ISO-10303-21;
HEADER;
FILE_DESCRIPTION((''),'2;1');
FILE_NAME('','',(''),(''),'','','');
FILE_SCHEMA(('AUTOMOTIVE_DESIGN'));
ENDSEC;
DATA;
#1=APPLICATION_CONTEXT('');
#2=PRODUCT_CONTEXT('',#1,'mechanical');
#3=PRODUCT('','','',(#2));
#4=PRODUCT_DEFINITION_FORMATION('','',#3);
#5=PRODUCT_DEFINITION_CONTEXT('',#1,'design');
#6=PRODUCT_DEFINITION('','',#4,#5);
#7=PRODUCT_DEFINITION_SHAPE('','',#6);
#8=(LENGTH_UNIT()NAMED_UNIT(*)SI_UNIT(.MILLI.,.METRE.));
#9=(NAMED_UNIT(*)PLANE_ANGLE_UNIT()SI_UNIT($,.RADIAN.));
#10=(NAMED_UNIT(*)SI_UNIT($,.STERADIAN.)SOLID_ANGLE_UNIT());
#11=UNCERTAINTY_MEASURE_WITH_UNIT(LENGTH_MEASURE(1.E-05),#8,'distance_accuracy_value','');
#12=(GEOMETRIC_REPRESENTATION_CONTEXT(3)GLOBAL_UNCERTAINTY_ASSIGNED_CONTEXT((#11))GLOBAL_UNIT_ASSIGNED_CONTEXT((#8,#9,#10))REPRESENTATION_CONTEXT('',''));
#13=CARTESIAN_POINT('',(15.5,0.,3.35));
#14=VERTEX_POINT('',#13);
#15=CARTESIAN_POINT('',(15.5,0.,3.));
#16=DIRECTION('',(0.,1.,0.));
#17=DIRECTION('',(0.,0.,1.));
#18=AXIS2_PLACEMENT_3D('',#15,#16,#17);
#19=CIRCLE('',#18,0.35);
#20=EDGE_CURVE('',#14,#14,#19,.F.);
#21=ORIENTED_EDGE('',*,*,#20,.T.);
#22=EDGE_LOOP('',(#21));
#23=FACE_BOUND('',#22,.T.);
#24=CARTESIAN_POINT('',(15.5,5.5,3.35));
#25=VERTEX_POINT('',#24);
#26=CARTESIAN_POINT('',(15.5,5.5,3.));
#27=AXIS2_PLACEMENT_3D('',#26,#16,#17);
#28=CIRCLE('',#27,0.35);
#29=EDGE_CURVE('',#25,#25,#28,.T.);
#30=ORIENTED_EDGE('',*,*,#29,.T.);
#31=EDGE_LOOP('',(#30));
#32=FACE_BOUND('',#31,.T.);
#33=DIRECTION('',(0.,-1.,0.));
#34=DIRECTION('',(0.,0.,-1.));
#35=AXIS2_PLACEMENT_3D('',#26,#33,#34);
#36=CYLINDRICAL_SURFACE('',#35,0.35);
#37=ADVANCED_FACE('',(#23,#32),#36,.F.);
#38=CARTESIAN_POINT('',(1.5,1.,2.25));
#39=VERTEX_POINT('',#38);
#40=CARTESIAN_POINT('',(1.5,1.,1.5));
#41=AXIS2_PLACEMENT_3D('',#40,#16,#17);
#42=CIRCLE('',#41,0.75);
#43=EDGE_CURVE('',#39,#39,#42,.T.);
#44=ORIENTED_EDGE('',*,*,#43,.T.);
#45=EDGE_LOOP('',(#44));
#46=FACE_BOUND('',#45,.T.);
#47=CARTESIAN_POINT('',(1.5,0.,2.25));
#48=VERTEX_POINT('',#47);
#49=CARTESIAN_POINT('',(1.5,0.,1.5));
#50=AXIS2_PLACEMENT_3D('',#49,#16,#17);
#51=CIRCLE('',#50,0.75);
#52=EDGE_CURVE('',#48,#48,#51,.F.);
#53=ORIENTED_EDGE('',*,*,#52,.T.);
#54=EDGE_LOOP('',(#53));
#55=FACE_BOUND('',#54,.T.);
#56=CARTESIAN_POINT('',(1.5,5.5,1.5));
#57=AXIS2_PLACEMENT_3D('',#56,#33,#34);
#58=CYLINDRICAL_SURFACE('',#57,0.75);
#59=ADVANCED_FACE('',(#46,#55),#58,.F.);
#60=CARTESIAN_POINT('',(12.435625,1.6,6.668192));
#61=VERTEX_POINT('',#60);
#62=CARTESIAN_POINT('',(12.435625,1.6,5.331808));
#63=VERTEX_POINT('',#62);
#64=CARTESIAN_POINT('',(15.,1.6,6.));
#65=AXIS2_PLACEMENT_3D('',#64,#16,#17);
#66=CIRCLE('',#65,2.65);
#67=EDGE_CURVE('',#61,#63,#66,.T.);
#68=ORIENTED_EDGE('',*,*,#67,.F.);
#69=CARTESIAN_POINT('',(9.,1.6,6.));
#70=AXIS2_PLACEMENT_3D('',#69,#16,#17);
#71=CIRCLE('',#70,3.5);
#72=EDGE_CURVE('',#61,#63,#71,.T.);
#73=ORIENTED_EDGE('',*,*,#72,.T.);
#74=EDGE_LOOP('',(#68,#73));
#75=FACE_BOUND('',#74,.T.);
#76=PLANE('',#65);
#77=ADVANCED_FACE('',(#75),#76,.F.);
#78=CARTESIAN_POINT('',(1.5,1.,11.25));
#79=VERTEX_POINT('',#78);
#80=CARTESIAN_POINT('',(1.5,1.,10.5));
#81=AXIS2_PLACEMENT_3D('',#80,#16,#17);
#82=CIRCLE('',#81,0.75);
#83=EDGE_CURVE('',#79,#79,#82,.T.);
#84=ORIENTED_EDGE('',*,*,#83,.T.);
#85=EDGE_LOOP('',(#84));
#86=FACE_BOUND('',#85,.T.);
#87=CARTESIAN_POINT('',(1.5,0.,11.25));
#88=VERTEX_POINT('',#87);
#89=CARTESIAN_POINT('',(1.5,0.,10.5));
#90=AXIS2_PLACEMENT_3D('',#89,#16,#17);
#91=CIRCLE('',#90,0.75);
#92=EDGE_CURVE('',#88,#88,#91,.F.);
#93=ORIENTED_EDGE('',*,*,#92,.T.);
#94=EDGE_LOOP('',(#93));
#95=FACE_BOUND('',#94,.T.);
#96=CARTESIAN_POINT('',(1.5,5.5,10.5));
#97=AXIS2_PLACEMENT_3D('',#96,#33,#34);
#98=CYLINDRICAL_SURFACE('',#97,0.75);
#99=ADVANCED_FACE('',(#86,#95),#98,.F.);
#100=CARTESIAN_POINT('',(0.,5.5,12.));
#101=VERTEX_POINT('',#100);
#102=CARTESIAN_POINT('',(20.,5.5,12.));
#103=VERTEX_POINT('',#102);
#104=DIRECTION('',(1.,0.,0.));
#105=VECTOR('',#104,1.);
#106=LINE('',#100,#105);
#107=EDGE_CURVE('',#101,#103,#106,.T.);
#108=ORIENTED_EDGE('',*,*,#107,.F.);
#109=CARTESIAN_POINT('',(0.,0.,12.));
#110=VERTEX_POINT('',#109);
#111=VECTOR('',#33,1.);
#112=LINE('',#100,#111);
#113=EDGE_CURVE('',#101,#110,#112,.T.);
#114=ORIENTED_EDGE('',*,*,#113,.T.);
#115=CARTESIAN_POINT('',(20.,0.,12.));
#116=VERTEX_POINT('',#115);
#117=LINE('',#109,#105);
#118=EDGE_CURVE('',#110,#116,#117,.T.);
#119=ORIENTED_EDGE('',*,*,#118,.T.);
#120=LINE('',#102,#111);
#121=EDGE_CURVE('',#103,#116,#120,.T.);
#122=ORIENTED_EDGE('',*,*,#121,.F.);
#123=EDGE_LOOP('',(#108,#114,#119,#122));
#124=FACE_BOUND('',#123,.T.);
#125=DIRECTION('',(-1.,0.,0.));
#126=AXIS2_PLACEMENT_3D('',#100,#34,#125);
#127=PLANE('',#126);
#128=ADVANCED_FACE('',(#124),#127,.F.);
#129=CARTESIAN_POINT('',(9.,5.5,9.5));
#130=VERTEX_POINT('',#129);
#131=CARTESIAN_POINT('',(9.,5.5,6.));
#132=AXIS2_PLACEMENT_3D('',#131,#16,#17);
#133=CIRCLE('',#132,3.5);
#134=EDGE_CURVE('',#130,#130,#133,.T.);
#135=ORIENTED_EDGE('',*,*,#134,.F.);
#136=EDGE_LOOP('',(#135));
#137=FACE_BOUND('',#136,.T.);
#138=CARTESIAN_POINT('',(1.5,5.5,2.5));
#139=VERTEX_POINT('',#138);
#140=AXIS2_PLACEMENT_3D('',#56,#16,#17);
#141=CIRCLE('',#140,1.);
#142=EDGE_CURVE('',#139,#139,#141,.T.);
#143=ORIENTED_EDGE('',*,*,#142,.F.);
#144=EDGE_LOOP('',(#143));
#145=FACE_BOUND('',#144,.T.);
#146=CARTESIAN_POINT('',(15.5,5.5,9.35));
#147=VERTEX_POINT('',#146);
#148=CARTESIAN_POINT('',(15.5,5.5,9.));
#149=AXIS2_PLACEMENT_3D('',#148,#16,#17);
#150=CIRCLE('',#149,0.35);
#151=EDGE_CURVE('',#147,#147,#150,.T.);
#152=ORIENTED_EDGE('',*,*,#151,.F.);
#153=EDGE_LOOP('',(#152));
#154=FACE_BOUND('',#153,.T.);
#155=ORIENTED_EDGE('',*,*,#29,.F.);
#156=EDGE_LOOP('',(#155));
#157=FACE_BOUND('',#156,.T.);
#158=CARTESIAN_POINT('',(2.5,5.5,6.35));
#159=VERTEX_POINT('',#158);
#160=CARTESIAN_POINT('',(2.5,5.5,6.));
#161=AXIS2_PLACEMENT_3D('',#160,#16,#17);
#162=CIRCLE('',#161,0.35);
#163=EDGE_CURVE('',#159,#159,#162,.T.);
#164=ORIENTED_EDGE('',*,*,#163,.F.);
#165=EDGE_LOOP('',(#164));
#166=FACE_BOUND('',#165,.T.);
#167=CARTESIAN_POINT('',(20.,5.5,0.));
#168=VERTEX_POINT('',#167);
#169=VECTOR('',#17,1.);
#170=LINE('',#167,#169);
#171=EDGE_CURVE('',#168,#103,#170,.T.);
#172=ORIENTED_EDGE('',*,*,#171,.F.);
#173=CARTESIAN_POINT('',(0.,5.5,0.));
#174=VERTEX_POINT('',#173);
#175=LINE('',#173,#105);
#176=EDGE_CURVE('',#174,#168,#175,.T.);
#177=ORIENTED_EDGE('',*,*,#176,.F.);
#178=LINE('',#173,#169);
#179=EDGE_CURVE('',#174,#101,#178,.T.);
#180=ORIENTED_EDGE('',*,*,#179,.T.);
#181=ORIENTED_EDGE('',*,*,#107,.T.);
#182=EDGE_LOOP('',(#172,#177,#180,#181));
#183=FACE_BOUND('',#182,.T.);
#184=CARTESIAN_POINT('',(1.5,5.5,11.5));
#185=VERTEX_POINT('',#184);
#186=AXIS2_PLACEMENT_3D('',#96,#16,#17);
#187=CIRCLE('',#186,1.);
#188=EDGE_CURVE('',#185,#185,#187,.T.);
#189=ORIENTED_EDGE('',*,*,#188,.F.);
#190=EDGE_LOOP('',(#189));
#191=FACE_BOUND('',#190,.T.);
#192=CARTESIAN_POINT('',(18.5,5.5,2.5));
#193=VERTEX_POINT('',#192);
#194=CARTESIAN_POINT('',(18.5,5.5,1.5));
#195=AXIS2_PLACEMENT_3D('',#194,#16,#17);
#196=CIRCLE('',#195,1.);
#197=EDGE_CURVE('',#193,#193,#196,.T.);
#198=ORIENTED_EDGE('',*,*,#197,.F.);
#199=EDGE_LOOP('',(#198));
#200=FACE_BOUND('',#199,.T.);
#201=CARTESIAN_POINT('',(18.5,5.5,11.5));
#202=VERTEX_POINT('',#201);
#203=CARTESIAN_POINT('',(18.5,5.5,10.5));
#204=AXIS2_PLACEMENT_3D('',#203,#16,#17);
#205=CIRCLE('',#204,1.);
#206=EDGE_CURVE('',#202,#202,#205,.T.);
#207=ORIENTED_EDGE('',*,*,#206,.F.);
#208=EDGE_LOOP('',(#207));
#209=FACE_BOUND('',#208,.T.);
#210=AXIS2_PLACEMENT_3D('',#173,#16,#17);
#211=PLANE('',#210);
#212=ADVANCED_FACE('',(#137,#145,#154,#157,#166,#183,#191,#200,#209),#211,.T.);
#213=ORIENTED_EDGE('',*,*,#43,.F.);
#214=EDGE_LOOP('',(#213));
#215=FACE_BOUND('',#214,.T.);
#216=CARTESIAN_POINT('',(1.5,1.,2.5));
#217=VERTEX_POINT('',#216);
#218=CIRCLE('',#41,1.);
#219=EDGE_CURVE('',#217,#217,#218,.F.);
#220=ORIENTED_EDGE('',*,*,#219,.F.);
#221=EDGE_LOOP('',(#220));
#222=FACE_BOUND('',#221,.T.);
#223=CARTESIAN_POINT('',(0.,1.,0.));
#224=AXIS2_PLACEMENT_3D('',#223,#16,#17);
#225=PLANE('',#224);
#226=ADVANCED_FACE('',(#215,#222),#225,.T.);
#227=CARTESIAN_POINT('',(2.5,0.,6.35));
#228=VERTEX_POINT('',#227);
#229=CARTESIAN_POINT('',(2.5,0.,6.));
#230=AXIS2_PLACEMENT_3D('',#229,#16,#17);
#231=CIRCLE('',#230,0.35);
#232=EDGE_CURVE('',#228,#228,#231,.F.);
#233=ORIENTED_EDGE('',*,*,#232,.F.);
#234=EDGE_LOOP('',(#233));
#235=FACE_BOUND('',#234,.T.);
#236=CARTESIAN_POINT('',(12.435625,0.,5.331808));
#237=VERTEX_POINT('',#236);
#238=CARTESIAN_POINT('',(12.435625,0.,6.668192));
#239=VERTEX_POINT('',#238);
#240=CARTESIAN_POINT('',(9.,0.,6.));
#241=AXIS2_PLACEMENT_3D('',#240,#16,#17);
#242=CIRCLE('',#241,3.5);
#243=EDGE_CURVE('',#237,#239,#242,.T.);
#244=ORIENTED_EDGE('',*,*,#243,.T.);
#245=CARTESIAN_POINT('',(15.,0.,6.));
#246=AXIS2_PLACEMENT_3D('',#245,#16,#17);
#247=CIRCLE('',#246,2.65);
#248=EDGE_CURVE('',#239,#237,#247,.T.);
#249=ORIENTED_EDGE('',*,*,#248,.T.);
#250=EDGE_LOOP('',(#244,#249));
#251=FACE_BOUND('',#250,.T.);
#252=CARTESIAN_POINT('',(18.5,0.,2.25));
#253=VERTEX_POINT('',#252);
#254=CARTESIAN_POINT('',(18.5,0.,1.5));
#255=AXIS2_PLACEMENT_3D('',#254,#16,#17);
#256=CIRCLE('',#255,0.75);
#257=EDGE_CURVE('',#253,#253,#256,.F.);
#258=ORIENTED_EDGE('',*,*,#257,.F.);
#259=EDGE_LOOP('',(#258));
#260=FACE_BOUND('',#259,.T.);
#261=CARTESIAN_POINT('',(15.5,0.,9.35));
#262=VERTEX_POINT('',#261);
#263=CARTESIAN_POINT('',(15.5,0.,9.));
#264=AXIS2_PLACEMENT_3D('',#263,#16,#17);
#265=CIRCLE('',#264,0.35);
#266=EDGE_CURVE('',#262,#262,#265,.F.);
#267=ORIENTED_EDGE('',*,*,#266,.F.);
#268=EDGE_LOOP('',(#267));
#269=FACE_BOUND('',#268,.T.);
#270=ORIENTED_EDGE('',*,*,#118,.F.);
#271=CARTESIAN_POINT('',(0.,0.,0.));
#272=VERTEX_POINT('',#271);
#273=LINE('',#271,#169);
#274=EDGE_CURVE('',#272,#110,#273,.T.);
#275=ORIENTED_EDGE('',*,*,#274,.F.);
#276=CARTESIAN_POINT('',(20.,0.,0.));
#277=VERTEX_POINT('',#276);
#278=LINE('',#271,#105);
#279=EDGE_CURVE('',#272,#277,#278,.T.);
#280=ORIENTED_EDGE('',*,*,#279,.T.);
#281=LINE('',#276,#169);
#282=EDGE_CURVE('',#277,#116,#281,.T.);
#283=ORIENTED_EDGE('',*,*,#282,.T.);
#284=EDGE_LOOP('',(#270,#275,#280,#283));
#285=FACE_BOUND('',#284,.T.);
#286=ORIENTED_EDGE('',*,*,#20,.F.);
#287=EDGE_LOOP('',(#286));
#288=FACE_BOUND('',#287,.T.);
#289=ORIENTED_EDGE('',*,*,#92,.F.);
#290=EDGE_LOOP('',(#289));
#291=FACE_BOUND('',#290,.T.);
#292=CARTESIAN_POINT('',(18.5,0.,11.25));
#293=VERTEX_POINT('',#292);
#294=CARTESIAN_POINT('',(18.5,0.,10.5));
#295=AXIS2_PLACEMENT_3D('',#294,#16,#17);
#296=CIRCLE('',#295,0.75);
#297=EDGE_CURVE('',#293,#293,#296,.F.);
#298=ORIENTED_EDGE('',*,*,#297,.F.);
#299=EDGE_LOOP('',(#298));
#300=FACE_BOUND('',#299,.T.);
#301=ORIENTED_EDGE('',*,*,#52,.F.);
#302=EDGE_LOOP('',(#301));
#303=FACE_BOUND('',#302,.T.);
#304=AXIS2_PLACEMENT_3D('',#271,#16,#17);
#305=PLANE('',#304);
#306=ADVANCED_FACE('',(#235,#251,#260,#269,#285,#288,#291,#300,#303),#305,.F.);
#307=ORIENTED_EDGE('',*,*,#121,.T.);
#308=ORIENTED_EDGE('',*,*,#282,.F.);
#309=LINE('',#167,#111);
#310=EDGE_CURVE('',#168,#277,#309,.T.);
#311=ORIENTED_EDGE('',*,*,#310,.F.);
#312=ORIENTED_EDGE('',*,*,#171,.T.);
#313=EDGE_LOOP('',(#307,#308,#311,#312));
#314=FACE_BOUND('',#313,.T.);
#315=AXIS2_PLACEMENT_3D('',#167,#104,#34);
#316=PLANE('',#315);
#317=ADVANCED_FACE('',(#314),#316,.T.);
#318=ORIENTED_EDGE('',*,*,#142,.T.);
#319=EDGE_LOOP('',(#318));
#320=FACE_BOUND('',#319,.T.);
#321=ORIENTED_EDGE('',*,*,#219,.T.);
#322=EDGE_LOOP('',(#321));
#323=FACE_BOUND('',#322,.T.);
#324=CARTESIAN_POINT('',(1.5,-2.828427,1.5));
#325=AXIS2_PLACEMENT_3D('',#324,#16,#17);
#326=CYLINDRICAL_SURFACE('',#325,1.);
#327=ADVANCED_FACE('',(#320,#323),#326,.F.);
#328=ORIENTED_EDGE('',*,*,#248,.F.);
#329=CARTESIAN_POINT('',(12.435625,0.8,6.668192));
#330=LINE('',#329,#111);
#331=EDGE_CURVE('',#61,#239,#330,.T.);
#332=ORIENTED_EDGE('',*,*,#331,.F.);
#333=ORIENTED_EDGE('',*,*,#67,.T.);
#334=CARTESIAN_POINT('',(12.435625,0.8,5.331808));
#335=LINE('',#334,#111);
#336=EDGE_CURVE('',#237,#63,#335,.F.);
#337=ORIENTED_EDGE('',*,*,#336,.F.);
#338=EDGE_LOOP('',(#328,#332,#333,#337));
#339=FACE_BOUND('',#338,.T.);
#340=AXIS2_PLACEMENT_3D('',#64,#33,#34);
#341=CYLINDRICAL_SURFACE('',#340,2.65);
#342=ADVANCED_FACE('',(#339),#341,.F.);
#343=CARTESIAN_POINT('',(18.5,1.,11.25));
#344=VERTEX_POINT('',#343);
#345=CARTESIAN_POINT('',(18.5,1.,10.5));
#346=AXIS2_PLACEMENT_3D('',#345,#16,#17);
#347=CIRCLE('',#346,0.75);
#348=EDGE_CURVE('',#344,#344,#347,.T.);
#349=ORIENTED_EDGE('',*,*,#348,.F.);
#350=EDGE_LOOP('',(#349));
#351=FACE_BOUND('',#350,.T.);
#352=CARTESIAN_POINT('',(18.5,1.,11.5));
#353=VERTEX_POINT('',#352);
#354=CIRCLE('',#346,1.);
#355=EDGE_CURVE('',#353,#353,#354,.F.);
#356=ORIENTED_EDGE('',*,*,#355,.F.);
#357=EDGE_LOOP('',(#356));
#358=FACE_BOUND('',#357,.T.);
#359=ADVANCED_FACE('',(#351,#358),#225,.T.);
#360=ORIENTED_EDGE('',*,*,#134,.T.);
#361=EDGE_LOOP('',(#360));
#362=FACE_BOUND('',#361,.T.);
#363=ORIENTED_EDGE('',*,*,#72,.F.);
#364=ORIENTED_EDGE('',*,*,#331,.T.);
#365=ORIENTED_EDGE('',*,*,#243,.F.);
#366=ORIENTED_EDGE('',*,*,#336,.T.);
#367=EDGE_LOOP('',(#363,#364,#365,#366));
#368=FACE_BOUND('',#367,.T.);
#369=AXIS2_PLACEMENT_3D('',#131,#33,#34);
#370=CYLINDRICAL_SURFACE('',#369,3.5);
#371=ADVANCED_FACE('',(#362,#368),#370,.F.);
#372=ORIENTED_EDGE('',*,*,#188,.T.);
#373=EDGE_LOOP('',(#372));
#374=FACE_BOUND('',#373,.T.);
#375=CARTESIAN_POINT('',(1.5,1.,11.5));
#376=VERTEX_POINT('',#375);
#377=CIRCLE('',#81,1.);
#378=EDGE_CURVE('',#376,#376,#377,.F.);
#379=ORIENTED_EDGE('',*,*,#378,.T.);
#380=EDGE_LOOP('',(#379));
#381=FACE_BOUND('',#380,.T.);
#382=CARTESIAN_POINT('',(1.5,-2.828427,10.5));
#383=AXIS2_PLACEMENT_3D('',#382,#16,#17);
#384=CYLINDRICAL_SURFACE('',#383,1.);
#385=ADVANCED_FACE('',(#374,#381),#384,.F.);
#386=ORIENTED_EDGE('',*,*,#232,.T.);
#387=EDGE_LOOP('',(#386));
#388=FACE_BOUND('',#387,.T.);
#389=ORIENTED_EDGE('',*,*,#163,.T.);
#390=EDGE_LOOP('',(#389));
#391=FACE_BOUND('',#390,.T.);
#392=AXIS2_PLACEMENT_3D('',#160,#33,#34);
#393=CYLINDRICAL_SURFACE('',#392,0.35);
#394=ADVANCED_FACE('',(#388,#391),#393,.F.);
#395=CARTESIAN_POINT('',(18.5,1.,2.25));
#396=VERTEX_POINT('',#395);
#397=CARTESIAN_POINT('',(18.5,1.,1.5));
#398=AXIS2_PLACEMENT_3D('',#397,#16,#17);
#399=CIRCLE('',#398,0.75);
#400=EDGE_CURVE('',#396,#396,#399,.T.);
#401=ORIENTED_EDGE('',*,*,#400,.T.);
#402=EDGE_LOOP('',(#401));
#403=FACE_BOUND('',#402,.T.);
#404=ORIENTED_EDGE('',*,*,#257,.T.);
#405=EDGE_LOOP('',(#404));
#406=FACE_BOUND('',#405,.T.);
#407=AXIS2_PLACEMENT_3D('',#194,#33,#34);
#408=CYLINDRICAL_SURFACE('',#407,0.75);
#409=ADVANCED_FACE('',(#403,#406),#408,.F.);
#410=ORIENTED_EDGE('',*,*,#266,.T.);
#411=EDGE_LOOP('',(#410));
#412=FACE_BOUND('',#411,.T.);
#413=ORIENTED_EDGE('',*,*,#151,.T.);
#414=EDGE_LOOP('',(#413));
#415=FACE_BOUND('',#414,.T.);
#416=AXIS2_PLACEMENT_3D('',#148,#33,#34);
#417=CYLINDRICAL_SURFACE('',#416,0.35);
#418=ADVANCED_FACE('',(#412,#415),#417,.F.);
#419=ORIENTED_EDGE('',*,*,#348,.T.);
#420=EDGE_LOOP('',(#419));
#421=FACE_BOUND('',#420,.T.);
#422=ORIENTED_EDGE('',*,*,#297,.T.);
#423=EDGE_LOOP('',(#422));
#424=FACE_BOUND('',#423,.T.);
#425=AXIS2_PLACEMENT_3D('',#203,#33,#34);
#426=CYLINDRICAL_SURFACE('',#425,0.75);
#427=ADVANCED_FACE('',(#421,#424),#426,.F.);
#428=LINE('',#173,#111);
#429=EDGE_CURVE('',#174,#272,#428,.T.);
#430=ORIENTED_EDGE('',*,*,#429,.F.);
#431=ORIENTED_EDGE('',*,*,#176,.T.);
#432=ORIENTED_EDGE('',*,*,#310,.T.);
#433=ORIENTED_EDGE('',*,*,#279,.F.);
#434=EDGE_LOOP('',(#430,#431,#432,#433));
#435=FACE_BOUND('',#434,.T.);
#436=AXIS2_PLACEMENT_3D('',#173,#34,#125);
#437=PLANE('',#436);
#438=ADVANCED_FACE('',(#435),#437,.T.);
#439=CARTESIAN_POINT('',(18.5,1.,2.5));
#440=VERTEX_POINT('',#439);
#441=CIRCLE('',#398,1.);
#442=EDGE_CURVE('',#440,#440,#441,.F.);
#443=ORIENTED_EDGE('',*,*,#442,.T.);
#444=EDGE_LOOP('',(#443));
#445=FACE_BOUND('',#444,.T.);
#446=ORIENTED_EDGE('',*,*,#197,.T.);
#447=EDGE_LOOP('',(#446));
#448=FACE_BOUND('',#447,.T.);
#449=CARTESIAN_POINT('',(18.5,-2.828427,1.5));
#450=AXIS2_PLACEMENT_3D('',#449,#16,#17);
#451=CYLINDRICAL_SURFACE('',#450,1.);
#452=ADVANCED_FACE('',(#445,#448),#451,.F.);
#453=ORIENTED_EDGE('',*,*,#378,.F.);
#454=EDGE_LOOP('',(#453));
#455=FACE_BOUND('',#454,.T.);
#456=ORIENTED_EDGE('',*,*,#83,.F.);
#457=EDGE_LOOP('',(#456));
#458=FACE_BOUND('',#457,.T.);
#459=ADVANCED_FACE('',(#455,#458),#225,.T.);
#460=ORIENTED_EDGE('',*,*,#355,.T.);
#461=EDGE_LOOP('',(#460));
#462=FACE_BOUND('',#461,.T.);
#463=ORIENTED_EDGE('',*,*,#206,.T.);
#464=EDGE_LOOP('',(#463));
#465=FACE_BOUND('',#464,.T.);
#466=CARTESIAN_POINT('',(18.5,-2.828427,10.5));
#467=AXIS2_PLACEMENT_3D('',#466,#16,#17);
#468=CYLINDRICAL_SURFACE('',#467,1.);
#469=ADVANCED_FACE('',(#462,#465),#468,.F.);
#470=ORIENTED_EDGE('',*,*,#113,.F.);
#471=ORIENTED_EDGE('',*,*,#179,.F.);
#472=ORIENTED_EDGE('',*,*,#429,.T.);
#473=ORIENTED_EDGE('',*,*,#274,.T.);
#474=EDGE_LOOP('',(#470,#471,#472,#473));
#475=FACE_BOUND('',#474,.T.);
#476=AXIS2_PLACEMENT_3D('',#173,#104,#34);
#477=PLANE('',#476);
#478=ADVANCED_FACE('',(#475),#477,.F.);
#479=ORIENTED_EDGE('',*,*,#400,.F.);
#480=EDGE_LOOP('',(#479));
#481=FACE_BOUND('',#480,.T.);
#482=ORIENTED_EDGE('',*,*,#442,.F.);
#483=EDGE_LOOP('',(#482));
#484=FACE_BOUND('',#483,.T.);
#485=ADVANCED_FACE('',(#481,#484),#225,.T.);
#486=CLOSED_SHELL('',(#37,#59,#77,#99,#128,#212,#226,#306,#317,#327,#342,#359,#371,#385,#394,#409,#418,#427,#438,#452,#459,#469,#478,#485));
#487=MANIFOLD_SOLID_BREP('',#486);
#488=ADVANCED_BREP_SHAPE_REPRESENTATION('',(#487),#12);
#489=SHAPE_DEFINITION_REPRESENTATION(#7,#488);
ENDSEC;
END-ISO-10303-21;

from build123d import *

# Parameters (mm, degrees)
SKETCH_1_W               = 20
SKETCH_1_H               = 12
SKETCH_1_R               = 3.5
EXTRUDE_1_DEPTH          = 5.5
SKETCH_1_17_R            = 2.65
CUT_EXTRUDE_8_DEPTH      = 1.6
CUT_EXTRUDE_3_DEPTH      = 24.963513933
CUT_EXTRUDE_3_DEPTH_BACK = 24.963513933
SKETCH_3_R               = 0.75
SKETCH_3_R_2             = 0.35
CUT_EXTRUDE_START        = 5.5
SKETCH_3_5_R             = 1
CUT_EXTRUDE_4_DEPTH      = 4.5


with BuildPart() as part:
    # 草图1 → 凸台-拉伸1 (new body)
    with BuildSketch(Plane(origin=(0, 0, 0), x_dir=(1, 0, 0), z_dir=(0, 1, 0))):
        with Locations((10, -6)):
            Rectangle(SKETCH_1_W, SKETCH_1_H)
        with Locations(Location((9, -6, 0), (0, 0, 270))):
            Circle(SKETCH_1_R, mode=Mode.SUBTRACT)
    extrude(amount=EXTRUDE_1_DEPTH)

    # 草图1<17> → 切除-拉伸8 (cut)
    with BuildSketch(Plane(origin=(0, 0, 0), x_dir=(1, 0, 0), z_dir=(0, 1, 0))):
        with Locations((15, -6)):
            Circle(SKETCH_1_17_R)
    extrude(amount=CUT_EXTRUDE_8_DEPTH, mode=Mode.SUBTRACT)

    # 草图3 → 切除-拉伸3 (cut, two sides: drawn at the far end of the back side and taken through both)
    with BuildSketch(Plane(origin=(0, 0, 0), x_dir=(1, 0, 0), z_dir=(0, 1, 0)).offset(-CUT_EXTRUDE_3_DEPTH_BACK)):
        with Locations(Location((1.5, -1.5, 0), (0, 0, 270))):
            Circle(SKETCH_3_R)
        with Locations(Location((18.5, -1.5, 0), (0, 0, 270))):
            Circle(SKETCH_3_R)
        with Locations(Location((1.5, -10.5, 0), (0, 0, 270))):
            Circle(SKETCH_3_R)
        with Locations(Location((18.5, -10.5, 0), (0, 0, 270))):
            Circle(SKETCH_3_R)
        with Locations(Location((15.5, -3, 0), (0, 0, 270))):
            Circle(SKETCH_3_R_2)
        with Locations(Location((2.5, -6, 0), (0, 0, 270))):
            Circle(SKETCH_3_R_2)
        with Locations(Location((15.5, -9, 0), (0, 0, 270))):
            Circle(SKETCH_3_R_2)
    extrude(amount=CUT_EXTRUDE_3_DEPTH + CUT_EXTRUDE_3_DEPTH_BACK, mode=Mode.SUBTRACT)

    # 草图3<5> → 切除-拉伸4 (cut)
    with BuildSketch(Plane(origin=(0, 0, 0), x_dir=(1, 0, 0), z_dir=(0, 1, 0)).offset(CUT_EXTRUDE_START)):
        with Locations(Location((1.5, -1.5, 0), (0, 0, 270))):
            Circle(SKETCH_3_5_R)
        with Locations(Location((18.5, -1.5, 0), (0, 0, 270))):
            Circle(SKETCH_3_5_R)
        with Locations(Location((18.5, -10.5, 0), (0, 0, 270))):
            Circle(SKETCH_3_5_R)
        with Locations(Location((1.5, -10.5, 0), (0, 0, 270))):
            Circle(SKETCH_3_5_R)
    extrude(amount=-CUT_EXTRUDE_4_DEPTH, mode=Mode.SUBTRACT)


solid = part.part
